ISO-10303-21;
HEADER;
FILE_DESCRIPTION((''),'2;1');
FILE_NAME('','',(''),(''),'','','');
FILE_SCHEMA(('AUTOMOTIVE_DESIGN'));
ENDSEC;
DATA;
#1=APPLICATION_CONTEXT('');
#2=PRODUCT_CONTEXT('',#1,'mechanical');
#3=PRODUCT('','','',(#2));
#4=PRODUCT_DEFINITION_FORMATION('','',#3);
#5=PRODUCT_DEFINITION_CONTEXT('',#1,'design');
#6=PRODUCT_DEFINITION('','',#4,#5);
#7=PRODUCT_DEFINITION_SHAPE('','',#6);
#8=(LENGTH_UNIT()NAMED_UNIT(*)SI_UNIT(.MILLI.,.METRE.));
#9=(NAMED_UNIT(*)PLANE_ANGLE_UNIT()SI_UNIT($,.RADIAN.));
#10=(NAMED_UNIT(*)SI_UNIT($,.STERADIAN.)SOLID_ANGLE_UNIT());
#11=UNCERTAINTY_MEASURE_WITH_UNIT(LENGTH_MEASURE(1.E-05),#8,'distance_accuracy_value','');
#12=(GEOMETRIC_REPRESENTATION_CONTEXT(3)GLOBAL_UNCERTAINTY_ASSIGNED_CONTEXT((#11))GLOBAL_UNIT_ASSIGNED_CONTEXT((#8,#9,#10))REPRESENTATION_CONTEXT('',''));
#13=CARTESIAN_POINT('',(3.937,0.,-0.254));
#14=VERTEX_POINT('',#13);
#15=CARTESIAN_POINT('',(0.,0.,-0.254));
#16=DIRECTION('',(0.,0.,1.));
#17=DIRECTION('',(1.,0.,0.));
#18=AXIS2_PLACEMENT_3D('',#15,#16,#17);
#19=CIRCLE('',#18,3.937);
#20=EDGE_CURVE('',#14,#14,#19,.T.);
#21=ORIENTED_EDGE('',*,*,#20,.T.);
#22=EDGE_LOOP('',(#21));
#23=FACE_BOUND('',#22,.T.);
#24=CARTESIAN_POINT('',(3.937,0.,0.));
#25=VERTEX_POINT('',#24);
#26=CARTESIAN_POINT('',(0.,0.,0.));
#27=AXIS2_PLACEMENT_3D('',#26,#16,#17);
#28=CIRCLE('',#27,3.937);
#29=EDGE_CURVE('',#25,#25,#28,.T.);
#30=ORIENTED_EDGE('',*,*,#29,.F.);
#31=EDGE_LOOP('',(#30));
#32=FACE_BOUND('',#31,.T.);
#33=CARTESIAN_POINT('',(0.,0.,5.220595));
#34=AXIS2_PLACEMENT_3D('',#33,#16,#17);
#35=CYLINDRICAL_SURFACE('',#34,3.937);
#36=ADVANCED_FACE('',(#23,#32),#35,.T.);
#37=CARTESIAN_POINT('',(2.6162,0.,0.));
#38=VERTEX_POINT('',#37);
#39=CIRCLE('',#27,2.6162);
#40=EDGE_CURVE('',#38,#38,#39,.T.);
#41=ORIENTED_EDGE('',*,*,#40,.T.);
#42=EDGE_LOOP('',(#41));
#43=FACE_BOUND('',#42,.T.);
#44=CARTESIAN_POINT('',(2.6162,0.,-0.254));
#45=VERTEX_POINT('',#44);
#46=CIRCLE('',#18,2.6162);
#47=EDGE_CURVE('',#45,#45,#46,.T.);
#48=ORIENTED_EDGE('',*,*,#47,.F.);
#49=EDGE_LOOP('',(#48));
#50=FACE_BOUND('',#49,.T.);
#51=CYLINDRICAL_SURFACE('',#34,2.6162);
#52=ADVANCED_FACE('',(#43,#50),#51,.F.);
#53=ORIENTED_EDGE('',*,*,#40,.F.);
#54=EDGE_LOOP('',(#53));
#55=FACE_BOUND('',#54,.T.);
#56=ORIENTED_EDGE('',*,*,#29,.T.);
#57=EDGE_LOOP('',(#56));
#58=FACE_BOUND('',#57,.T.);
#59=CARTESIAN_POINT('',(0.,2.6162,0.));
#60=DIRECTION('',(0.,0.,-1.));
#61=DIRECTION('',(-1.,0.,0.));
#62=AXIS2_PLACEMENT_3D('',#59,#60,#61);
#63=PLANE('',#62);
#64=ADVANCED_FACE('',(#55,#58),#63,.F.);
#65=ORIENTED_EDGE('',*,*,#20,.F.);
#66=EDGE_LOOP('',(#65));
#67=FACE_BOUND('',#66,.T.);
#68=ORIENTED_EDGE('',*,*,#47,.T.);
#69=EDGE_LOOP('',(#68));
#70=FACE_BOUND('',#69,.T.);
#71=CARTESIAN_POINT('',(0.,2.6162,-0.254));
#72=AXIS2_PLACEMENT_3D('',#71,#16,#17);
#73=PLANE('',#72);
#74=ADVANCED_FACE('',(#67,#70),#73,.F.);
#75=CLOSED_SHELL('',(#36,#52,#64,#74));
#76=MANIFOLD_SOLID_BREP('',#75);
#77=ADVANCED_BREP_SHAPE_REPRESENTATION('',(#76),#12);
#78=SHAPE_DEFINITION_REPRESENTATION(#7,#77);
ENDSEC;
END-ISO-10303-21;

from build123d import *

# Parameters (mm, degrees)
SKETCH1_W = 0.254
SKETCH1_H = 1.3208


with BuildPart() as part:
    # Sketch1 → Revolve1 (revolve)
    with BuildSketch(Plane(origin=(0, 0, 0), x_dir=(0, 0, -1), z_dir=(1, 0, 0)), mode=Mode.PRIVATE) as revolve1_sk:
        with Locations((0.127, 3.2766)):
            Rectangle(SKETCH1_W, SKETCH1_H)
    revolve(revolve1_sk.sketch.rotate(Axis((0, 0, 5.220594576), (0, 0, -1)), 90), axis=Axis((0, 0, 5.220594576), (0, 0, -1)))


solid = part.part
